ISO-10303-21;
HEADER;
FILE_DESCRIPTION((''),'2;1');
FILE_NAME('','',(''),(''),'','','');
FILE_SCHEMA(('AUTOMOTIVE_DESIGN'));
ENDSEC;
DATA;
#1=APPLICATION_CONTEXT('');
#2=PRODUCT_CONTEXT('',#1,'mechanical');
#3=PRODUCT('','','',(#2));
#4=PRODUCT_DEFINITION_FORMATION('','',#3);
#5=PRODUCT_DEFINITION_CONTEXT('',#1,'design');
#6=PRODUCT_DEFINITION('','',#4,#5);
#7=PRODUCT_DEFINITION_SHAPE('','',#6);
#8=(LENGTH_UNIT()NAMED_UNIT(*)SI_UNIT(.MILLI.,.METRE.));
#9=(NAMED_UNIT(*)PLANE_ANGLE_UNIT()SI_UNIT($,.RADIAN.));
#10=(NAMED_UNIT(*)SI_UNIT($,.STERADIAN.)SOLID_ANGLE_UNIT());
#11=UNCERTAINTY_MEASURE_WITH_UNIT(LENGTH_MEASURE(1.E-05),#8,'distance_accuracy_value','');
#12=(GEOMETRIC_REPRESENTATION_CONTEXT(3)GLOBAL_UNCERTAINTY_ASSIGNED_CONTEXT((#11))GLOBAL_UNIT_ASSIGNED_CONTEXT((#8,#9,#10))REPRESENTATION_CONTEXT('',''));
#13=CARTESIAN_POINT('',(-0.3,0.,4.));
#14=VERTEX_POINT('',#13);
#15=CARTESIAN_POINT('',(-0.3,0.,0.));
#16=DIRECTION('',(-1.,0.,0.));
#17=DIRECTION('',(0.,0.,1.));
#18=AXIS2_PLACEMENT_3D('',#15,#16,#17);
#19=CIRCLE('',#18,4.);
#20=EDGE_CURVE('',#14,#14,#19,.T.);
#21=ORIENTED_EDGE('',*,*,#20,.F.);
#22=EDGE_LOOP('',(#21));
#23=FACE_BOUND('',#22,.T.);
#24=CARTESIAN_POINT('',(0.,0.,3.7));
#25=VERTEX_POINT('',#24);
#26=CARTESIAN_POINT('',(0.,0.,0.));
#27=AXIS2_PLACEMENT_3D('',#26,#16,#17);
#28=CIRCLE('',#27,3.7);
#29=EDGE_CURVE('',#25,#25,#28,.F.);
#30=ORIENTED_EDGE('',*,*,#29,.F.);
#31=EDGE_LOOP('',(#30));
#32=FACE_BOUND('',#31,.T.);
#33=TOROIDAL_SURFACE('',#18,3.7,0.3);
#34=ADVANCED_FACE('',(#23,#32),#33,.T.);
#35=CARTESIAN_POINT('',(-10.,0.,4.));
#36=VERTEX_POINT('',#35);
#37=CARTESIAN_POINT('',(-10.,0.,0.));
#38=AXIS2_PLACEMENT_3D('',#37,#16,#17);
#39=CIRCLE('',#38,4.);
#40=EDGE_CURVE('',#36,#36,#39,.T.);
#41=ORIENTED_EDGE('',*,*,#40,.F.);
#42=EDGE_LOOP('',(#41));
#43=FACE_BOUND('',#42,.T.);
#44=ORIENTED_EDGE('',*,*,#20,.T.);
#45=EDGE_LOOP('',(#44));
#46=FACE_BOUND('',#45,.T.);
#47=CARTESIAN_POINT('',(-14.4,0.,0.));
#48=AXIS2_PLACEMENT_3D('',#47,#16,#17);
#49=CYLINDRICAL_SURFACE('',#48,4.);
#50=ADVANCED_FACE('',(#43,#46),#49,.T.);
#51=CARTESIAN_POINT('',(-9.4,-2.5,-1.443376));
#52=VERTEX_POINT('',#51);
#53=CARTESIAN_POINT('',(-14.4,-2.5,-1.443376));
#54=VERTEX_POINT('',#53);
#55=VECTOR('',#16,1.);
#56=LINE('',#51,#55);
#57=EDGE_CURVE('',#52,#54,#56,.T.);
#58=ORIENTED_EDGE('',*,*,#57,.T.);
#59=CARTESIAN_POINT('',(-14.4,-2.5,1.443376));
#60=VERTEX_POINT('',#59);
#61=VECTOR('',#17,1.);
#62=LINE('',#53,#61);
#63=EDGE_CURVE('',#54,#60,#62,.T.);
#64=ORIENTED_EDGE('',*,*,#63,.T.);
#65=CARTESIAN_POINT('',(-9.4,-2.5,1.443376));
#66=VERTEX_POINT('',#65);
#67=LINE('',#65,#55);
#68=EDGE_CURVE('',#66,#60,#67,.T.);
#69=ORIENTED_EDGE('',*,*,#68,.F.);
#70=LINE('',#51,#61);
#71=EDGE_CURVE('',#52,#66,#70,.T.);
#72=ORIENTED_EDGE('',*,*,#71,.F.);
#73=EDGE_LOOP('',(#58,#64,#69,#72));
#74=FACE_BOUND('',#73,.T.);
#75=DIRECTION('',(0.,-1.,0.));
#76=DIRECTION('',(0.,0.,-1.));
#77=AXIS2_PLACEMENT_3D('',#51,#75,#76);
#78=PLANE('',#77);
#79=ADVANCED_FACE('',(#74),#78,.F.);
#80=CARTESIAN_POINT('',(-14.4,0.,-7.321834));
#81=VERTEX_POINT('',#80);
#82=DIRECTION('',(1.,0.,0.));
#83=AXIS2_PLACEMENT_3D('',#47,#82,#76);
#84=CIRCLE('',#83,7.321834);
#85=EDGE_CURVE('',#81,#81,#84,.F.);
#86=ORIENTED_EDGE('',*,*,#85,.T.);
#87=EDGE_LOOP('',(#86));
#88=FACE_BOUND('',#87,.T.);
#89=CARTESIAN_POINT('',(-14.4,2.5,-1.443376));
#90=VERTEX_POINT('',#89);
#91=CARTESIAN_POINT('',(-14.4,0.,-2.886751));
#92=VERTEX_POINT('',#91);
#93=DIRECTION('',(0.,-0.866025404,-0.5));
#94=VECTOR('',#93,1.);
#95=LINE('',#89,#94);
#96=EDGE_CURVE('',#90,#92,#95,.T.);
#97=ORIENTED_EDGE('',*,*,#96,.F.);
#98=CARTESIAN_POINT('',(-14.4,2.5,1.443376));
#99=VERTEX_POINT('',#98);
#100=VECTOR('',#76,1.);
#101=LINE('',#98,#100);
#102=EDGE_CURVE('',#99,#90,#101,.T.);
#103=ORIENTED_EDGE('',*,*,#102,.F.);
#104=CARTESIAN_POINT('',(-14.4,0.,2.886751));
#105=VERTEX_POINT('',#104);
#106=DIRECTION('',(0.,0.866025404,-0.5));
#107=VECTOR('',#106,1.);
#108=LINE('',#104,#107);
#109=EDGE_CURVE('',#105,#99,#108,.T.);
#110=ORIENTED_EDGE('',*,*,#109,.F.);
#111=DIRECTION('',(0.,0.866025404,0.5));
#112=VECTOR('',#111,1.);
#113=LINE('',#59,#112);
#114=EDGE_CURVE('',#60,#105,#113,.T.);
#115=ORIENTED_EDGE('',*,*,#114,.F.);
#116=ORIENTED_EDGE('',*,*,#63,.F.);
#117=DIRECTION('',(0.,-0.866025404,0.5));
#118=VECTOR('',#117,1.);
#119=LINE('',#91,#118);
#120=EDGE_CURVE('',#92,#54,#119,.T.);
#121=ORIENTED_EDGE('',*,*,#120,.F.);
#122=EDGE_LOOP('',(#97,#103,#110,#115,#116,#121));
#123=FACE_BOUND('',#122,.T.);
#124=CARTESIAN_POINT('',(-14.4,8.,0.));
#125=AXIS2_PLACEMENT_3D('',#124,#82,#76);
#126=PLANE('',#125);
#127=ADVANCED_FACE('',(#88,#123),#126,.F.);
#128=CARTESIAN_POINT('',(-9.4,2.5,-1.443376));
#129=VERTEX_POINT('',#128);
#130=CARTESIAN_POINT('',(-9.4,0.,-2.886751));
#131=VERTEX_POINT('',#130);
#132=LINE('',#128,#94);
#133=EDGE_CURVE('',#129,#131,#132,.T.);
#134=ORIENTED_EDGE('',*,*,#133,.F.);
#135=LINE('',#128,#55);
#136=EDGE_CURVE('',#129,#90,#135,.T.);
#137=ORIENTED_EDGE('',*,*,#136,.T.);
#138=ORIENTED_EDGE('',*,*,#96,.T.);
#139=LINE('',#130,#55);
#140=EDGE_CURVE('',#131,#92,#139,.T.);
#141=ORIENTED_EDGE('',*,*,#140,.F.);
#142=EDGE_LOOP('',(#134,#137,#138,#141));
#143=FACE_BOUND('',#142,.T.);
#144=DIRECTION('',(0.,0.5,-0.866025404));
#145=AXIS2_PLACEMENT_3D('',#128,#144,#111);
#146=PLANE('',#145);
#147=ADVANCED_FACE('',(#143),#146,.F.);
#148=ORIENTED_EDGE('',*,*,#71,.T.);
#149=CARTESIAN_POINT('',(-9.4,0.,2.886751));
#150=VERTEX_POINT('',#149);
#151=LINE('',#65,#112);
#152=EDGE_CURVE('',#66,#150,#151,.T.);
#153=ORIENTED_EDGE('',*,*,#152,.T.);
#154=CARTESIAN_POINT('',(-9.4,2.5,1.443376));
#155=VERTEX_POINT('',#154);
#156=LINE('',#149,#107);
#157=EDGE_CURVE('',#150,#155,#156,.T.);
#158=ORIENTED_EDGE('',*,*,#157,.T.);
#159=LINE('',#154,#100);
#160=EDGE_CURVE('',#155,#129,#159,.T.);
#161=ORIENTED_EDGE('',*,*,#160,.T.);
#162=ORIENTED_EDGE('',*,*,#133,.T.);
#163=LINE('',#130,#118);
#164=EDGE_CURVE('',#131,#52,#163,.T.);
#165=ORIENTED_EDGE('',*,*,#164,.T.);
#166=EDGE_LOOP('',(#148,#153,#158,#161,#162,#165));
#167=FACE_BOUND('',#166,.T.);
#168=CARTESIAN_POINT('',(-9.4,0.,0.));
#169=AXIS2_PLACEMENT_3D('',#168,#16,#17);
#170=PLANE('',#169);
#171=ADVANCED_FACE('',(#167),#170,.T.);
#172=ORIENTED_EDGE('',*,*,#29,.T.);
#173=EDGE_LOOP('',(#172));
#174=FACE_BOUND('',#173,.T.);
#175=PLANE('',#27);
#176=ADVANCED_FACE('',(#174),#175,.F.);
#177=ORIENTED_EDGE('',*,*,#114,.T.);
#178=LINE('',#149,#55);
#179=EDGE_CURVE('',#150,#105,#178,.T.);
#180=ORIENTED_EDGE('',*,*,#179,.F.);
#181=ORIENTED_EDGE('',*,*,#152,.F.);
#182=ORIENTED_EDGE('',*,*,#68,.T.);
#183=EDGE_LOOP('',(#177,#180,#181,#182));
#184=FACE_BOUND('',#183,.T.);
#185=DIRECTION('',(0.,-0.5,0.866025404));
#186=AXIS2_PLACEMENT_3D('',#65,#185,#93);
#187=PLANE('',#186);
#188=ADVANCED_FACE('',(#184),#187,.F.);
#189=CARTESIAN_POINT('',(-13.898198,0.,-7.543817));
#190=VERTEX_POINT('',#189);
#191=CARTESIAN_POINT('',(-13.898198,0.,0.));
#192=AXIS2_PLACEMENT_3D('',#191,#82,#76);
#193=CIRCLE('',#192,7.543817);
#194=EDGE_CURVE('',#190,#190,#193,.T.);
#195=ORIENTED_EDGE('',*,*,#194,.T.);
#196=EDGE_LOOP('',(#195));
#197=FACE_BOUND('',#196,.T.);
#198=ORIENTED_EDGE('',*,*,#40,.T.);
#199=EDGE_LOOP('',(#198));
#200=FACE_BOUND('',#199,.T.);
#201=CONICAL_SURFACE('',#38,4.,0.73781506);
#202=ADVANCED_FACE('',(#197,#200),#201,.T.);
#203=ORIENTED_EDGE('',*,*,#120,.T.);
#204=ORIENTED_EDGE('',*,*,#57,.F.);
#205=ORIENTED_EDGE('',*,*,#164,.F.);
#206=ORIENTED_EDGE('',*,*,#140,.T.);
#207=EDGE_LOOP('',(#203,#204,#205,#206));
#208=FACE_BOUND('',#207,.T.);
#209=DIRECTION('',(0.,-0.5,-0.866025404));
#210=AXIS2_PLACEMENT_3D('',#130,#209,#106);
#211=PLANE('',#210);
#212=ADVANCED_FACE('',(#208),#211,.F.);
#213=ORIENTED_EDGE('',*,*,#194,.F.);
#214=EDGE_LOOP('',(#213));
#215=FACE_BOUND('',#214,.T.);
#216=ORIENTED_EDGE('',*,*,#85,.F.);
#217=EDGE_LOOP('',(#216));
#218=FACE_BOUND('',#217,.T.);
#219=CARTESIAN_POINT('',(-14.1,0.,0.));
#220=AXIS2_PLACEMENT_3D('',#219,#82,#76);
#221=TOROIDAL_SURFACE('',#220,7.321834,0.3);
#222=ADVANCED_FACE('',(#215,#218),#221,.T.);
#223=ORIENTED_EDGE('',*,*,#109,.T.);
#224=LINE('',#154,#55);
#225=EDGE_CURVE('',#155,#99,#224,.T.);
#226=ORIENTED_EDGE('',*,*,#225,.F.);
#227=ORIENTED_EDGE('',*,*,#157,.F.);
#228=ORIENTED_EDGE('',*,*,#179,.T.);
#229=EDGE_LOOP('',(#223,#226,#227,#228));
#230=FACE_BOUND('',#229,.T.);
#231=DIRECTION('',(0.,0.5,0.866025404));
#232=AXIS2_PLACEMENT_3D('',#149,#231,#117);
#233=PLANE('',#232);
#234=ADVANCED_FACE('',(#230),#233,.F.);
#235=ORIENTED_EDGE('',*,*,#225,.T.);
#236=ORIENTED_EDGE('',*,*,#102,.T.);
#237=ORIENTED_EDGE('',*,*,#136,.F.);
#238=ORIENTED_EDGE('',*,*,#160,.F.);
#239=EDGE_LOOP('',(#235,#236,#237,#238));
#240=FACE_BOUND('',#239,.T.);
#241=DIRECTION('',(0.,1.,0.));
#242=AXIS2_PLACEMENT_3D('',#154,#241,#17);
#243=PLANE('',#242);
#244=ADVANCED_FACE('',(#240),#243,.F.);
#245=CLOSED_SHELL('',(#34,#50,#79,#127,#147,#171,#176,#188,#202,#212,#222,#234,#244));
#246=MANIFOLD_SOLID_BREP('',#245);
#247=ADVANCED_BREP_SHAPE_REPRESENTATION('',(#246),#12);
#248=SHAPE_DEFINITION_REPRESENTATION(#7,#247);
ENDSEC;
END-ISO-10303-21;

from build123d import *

# Parameters (mm, degrees)
KES_EKSTR_ZYON1_DEPTH = 5
RADYUS2_R             = 0.3


with BuildPart() as part:
    # Çizim1 → Döndür1 (revolve)
    with BuildSketch(Plane.XY, mode=Mode.PRIVATE) as d_nd_r1_sk:
        Polygon((0, 0), (0, 4), (-10, 4), (-14.4, 8), (-14.4, 0), align=None)
    revolve(d_nd_r1_sk.sketch.rotate(Axis((-14.4, 0, 0), (1, 0, 0)), 90), axis=Axis((-14.4, 0, 0), (1, 0, 0)))

    # Çizim2 → Kes-Ekstrüzyon1 (cut)
    with BuildSketch(Plane.ZY.offset(14.4)):
        Polygon((2.886751346, 0), (1.443375673, 2.5), (-1.443375673, 2.5), (-2.886751346, 0), (-1.443375673, -2.5), (1.443375673, -2.5), align=None)
    extrude(amount=-KES_EKSTR_ZYON1_DEPTH, mode=Mode.SUBTRACT)

    # Radyus2
    radyus2_edges = [part.edges().sort_by_distance(p)[0] for p in [
        (-14.4, 0, -8),
        (0, 0, -4),
    ]]
    fillet(radyus2_edges, radius=RADYUS2_R)


solid = part.part
